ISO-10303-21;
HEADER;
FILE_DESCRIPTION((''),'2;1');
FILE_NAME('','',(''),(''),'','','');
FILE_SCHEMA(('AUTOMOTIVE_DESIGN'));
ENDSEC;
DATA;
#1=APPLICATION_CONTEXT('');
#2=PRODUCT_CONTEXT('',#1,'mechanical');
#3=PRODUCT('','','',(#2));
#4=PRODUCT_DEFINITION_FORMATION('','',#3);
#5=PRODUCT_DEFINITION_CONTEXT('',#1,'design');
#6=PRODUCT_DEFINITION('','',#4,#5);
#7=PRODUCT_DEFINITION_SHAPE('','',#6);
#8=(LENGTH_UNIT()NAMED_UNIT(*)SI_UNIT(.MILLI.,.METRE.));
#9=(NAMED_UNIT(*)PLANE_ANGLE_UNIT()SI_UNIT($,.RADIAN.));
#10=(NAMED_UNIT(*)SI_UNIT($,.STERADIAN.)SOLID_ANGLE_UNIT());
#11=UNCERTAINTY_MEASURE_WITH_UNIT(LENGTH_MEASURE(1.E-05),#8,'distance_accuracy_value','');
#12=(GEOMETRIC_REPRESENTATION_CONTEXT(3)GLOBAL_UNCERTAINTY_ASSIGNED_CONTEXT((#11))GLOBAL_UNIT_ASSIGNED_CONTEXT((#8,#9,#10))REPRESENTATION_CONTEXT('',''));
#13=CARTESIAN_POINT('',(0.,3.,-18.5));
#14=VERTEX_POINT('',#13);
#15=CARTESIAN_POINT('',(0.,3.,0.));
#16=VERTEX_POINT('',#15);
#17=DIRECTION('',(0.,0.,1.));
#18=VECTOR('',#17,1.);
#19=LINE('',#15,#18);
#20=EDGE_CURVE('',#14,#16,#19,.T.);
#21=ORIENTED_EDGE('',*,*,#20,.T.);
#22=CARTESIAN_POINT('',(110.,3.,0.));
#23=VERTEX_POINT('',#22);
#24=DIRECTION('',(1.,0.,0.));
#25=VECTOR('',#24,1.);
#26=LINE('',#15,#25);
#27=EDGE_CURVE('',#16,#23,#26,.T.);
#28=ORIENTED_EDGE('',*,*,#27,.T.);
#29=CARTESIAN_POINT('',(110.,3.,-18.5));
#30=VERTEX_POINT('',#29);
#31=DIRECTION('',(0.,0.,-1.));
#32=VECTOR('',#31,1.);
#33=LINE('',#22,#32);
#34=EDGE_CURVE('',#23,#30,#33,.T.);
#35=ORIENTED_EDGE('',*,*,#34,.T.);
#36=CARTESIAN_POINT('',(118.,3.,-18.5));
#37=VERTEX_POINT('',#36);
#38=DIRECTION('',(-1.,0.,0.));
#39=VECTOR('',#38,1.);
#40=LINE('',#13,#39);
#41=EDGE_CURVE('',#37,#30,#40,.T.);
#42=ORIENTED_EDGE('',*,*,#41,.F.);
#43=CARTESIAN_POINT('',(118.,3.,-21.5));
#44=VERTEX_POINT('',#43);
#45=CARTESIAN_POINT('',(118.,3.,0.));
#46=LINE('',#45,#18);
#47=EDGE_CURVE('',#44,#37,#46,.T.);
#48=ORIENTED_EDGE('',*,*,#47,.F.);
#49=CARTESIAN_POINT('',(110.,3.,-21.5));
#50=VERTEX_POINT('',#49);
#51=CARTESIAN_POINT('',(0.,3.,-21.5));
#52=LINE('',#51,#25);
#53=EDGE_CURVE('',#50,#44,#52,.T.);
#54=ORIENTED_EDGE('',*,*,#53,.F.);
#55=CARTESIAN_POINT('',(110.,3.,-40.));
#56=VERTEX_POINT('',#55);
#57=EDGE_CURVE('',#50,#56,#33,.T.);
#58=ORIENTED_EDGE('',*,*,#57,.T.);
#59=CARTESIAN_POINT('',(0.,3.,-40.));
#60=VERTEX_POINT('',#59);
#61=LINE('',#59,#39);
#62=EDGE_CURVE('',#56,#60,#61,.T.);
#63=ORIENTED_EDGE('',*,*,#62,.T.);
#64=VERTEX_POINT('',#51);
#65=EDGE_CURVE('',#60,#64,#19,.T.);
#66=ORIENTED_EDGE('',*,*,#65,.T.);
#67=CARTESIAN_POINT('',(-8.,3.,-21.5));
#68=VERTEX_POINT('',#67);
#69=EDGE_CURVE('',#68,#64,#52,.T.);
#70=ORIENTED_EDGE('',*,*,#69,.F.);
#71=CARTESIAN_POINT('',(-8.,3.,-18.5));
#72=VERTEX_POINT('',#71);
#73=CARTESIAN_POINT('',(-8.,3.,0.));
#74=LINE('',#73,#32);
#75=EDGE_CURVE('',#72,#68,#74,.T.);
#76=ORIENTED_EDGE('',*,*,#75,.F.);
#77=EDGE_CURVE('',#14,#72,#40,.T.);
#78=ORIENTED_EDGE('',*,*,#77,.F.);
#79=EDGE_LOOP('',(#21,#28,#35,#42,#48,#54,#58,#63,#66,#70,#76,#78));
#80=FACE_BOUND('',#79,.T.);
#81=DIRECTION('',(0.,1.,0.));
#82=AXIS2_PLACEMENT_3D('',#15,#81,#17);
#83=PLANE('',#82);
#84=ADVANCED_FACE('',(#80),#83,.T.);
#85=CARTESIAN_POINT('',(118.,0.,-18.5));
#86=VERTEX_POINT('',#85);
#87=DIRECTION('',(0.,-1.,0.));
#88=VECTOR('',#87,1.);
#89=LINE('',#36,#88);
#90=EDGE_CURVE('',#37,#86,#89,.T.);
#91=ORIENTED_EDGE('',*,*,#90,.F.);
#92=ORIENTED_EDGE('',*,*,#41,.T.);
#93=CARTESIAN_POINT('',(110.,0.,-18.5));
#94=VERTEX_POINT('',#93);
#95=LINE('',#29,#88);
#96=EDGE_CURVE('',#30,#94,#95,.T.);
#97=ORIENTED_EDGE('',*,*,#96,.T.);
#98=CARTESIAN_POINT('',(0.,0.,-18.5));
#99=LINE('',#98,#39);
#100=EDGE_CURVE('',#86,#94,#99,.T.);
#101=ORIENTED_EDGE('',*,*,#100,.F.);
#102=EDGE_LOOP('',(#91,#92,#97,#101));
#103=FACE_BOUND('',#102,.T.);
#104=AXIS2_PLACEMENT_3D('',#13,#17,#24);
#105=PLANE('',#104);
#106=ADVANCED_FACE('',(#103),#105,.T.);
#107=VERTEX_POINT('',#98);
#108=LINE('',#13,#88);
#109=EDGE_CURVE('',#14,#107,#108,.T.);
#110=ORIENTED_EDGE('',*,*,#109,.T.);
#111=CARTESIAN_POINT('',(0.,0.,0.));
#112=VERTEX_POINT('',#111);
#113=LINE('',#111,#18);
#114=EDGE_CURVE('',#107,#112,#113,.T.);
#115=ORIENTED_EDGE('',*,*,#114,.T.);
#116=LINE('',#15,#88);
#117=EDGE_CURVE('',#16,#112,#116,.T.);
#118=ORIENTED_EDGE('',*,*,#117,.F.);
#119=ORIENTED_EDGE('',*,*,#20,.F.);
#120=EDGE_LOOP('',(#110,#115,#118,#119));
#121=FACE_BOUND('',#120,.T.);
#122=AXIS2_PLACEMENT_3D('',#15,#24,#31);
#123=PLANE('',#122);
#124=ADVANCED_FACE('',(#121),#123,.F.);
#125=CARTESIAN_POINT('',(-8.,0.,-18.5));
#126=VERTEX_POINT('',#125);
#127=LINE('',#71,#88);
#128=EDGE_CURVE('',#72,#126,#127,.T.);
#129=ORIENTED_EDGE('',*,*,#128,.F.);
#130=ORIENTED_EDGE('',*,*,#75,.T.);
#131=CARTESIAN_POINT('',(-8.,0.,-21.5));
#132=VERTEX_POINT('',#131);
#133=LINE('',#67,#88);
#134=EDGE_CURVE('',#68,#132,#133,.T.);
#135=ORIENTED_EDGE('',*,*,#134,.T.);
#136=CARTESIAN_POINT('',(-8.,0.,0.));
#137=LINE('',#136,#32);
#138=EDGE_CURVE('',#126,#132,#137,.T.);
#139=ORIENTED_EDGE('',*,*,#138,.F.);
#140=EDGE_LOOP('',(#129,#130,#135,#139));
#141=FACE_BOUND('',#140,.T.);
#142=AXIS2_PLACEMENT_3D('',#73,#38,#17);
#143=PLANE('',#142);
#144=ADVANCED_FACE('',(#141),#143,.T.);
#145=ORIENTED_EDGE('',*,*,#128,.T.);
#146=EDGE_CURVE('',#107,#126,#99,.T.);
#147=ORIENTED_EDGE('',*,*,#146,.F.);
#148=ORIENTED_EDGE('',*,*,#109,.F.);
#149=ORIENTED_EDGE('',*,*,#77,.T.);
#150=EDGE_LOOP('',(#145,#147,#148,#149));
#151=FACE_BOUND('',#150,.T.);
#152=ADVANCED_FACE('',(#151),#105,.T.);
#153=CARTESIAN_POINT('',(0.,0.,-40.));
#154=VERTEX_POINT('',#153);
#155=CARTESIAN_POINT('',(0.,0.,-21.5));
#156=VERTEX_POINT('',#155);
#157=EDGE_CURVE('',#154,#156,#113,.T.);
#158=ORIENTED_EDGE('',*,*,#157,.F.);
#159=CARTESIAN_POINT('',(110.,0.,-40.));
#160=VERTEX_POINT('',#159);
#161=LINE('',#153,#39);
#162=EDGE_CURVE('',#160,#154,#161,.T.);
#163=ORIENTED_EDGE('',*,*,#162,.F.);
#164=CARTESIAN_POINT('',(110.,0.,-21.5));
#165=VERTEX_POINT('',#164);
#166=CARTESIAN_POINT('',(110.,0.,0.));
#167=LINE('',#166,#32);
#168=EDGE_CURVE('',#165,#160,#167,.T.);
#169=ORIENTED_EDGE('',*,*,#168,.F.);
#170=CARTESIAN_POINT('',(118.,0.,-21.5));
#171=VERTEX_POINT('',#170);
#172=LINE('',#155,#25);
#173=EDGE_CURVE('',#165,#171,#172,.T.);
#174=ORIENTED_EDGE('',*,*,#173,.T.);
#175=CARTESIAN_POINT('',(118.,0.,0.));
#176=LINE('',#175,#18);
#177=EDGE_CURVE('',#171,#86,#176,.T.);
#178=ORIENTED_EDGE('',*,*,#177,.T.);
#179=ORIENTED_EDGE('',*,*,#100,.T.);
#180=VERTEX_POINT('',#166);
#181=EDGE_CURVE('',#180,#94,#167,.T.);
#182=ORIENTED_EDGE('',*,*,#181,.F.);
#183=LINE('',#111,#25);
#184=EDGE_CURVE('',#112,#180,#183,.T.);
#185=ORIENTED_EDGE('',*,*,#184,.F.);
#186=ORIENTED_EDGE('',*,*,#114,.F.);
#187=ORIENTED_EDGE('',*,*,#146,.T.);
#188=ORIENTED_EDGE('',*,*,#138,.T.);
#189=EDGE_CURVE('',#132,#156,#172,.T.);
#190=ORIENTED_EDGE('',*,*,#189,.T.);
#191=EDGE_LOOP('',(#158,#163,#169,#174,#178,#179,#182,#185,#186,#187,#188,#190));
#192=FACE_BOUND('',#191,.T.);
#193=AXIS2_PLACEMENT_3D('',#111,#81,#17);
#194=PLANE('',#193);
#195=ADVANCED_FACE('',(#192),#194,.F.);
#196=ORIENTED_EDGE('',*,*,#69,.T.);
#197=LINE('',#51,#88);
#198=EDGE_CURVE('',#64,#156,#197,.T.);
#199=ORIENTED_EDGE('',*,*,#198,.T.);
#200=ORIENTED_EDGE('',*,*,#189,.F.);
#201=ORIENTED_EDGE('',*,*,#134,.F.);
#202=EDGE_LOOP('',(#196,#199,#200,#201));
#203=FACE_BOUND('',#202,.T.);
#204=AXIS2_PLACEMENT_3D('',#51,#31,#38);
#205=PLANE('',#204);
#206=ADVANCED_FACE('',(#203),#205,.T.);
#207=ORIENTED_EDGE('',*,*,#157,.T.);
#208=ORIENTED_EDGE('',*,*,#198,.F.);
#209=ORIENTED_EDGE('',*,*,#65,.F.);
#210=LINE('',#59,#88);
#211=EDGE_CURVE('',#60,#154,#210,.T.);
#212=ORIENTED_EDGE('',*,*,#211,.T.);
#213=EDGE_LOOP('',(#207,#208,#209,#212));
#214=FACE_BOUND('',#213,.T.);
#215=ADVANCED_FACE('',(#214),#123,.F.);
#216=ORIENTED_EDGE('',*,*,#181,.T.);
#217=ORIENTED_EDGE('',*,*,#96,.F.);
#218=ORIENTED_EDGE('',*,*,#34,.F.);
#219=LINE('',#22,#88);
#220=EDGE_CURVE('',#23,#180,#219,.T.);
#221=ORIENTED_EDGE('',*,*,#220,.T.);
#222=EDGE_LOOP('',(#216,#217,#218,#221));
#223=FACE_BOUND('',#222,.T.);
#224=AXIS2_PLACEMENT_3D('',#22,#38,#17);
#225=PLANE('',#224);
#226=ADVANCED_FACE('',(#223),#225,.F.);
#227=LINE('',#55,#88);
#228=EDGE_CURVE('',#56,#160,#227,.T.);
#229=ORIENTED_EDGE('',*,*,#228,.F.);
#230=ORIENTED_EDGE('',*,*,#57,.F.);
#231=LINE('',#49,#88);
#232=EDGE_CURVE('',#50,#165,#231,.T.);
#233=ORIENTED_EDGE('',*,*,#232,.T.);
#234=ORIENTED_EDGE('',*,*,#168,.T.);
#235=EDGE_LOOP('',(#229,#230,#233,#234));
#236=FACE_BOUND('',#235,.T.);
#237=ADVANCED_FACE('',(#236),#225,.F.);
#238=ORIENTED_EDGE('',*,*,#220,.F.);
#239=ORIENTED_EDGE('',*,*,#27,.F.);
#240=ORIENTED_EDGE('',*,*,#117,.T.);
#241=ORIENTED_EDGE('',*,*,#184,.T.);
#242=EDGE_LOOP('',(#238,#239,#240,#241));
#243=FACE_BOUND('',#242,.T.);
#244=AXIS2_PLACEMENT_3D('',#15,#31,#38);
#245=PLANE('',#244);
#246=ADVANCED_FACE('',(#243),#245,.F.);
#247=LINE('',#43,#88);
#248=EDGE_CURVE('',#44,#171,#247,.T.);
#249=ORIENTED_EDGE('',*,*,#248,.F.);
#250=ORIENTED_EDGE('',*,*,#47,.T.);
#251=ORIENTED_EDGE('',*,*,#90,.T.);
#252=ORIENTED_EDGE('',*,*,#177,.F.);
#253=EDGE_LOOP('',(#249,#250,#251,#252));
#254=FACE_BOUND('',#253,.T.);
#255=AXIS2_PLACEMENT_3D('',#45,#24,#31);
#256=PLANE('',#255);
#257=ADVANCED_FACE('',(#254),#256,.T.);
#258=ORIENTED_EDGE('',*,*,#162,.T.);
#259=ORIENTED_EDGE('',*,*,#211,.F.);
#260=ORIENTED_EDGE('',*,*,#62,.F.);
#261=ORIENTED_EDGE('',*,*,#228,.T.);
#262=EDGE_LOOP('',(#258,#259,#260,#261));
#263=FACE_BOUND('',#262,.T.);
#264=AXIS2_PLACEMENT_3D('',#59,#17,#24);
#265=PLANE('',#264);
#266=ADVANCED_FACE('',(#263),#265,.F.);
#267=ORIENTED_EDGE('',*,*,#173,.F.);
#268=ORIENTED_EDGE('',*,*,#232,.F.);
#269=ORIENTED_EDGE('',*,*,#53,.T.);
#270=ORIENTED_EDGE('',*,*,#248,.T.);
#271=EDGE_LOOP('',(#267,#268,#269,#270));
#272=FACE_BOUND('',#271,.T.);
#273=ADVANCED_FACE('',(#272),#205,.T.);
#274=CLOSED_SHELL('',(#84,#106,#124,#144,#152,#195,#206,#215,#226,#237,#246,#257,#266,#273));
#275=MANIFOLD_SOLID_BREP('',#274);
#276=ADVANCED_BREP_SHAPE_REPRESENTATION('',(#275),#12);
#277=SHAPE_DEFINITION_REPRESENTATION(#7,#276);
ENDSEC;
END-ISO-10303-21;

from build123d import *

# Parameters (mm, degrees)
SKETCH1_W           = 8
SKETCH1_H           = 1.5
SKETCH1_W_2         = 110
SKETCH1_H_2         = 18.5
BOSS_EXTRUDE1_DEPTH = 3


with BuildPart() as part:
    # Sketch1 → Boss-Extrude1 (new body)
    with BuildSketch(Plane(origin=(0, 0, 0), x_dir=(1, 0, 0), z_dir=(0, 1, 0))):
        with Locations((-4, 20.75)):
            Rectangle(SKETCH1_W, SKETCH1_H)
        with Locations((-4, 19.25)):
            Rectangle(SKETCH1_W, SKETCH1_H)
        Polygon((0, 20), (0, 18.5), (110, 18.5), (110, 20), (110, 21.5), (0, 21.5), align=None)
        with Locations((55, 30.75)):
            Rectangle(SKETCH1_W_2, SKETCH1_H_2)
        with Locations((55, 9.25)):
            Rectangle(SKETCH1_W_2, SKETCH1_H_2)
        with Locations((114, 20.75)):
            Rectangle(SKETCH1_W, SKETCH1_H)
        with Locations((114, 19.25)):
            Rectangle(SKETCH1_W, SKETCH1_H)
    extrude(amount=BOSS_EXTRUDE1_DEPTH)


solid = part.part
